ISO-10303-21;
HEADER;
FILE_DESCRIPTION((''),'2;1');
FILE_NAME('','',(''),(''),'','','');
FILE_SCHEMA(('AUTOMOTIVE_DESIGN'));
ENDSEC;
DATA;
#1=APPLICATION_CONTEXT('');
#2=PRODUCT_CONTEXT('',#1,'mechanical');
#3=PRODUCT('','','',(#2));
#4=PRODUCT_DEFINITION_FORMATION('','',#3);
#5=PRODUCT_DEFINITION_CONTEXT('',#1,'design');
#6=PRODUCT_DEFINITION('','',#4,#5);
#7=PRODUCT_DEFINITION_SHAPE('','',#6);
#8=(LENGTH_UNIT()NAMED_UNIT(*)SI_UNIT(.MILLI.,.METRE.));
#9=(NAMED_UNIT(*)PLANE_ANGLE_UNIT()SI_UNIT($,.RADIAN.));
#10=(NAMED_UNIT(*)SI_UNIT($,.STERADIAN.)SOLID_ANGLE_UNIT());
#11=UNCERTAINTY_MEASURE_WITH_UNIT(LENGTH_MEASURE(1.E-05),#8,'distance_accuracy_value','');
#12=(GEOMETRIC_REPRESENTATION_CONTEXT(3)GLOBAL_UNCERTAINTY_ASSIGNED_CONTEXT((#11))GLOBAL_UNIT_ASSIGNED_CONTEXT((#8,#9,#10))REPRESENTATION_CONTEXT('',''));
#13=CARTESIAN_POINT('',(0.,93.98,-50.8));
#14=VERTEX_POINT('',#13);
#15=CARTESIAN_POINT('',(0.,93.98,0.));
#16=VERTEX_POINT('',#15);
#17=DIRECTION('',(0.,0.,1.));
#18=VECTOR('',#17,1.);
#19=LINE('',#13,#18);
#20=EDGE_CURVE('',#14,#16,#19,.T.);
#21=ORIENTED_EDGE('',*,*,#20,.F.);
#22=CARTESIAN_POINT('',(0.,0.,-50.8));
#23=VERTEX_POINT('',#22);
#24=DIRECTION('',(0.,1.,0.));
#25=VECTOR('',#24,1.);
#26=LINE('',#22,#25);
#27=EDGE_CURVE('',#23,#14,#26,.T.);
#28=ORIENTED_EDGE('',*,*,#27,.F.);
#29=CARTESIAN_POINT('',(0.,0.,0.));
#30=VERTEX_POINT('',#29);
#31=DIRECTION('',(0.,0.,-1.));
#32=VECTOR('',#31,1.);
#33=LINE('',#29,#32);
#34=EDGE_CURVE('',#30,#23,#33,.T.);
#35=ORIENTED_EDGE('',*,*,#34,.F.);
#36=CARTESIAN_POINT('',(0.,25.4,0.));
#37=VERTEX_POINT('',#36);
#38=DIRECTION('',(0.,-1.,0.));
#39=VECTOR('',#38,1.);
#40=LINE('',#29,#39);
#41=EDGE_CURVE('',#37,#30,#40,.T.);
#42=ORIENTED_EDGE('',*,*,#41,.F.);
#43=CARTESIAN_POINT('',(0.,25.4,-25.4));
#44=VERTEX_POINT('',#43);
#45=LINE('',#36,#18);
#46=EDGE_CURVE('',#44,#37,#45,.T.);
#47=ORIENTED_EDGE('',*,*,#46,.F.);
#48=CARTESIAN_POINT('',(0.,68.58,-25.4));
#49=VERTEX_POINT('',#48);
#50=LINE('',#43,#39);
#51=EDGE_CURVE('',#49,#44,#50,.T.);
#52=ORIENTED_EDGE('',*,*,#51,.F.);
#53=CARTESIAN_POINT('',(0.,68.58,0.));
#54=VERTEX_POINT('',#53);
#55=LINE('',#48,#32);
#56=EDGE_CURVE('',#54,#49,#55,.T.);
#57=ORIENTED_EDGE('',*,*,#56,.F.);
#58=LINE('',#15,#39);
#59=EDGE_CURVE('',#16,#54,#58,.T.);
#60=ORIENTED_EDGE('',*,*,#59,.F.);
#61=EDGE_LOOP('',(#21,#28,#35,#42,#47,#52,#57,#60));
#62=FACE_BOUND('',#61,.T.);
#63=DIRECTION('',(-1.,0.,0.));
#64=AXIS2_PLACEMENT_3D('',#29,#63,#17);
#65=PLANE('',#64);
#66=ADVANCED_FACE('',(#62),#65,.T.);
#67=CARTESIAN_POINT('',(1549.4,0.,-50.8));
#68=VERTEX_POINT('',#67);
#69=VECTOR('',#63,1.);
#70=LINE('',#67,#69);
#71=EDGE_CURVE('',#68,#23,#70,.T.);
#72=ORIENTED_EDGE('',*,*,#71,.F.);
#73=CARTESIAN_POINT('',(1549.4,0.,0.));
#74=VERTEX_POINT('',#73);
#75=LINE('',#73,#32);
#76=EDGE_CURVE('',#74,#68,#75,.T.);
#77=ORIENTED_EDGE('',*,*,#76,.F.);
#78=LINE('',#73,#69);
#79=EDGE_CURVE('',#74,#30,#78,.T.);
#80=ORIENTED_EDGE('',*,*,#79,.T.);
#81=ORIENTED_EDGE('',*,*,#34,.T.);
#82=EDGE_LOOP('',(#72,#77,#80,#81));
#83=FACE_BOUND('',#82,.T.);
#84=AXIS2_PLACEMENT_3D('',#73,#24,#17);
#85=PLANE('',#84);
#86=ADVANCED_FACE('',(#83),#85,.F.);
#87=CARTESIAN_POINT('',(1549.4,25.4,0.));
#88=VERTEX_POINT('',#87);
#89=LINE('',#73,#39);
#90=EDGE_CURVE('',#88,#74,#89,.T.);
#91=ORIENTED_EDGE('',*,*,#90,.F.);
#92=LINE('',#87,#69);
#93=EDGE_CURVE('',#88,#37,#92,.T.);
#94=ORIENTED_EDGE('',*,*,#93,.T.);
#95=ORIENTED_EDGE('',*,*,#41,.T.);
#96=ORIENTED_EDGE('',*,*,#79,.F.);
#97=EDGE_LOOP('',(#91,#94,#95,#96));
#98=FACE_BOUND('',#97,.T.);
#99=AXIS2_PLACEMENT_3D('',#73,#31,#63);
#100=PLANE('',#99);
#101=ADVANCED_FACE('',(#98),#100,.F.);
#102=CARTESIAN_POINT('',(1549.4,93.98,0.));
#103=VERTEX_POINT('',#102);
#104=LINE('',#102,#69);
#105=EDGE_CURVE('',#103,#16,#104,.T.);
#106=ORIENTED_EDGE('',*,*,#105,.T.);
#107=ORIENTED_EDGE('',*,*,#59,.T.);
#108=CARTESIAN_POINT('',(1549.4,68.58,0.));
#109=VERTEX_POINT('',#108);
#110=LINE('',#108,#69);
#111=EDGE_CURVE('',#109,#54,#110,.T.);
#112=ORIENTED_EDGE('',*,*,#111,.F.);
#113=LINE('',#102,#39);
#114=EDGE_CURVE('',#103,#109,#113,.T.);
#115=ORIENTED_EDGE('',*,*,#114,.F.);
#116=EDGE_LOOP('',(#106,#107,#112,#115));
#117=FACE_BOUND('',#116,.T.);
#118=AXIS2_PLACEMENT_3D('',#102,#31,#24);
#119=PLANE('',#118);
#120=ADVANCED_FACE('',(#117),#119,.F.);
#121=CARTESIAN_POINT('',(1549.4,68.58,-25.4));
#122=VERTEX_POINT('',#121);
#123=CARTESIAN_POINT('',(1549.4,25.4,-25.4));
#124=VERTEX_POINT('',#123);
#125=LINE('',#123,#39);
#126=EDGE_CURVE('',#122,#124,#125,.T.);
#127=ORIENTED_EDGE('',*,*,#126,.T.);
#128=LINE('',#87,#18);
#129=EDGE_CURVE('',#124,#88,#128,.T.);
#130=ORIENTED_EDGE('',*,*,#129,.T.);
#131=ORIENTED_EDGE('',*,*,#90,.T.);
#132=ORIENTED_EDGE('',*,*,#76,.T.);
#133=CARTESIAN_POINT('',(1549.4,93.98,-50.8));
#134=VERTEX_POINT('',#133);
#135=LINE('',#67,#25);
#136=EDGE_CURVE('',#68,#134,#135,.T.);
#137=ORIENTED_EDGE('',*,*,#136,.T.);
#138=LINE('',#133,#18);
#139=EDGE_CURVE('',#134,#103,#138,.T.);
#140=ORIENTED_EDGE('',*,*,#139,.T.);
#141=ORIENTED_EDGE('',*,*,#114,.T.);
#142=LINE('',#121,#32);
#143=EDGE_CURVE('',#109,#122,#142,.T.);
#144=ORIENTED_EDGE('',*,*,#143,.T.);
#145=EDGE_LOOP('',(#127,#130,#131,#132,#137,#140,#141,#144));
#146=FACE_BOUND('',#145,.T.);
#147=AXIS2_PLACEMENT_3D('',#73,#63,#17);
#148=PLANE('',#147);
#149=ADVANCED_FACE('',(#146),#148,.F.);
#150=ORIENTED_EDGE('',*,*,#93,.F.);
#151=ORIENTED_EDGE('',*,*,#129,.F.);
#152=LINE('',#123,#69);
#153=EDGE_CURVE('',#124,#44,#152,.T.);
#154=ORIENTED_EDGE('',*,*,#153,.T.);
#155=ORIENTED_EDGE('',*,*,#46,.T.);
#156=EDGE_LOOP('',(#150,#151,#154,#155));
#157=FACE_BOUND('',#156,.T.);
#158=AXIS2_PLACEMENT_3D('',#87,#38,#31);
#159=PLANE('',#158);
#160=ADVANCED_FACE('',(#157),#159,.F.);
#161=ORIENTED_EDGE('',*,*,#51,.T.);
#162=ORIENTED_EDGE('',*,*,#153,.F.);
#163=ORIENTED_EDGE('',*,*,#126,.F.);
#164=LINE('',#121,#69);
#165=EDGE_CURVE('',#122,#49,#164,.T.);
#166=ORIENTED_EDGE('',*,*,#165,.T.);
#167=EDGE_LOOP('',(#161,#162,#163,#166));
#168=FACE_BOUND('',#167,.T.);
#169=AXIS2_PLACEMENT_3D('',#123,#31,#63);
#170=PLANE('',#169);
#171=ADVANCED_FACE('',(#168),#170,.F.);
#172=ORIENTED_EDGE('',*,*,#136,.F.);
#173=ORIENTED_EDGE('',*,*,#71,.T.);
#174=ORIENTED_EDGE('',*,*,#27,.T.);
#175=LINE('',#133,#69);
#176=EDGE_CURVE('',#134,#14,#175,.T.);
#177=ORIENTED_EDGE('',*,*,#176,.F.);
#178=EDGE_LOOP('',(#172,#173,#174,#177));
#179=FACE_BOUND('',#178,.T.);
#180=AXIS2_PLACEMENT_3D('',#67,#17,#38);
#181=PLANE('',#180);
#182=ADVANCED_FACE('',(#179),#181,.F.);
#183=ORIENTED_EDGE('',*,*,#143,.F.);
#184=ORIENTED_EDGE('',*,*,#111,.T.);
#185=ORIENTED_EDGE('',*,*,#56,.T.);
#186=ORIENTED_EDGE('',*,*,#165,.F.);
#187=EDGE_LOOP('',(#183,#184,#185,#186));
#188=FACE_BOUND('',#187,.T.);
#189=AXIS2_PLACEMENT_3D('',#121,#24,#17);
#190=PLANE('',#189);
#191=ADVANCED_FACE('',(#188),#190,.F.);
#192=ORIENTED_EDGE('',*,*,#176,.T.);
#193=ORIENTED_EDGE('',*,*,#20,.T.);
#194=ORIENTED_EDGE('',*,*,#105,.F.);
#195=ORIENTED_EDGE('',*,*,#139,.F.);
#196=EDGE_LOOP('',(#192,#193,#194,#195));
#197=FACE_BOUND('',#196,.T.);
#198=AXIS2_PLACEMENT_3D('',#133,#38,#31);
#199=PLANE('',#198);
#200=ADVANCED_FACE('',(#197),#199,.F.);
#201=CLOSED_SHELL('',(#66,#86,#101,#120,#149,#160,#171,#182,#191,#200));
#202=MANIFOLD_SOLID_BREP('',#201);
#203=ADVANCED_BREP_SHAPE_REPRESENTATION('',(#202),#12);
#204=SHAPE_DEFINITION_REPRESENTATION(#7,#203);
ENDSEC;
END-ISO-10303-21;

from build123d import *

# Parameters (mm, degrees)
BOSS_EXTRUDE1_DEPTH = 1549.4


with BuildPart() as part:
    # Sketch1 → Boss-Extrude1 (new body)
    with BuildSketch(Plane(origin=(0, 0, 0), x_dir=(0, 0, -1), z_dir=(1, 0, 0))):
        Polygon((0, 0), (50.8, 0), (50.8, 93.98), (0, 93.98), (0, 68.58), (25.4, 68.58), (25.4, 25.4), (0, 25.4), align=None)
    extrude(amount=BOSS_EXTRUDE1_DEPTH)


solid = part.part
